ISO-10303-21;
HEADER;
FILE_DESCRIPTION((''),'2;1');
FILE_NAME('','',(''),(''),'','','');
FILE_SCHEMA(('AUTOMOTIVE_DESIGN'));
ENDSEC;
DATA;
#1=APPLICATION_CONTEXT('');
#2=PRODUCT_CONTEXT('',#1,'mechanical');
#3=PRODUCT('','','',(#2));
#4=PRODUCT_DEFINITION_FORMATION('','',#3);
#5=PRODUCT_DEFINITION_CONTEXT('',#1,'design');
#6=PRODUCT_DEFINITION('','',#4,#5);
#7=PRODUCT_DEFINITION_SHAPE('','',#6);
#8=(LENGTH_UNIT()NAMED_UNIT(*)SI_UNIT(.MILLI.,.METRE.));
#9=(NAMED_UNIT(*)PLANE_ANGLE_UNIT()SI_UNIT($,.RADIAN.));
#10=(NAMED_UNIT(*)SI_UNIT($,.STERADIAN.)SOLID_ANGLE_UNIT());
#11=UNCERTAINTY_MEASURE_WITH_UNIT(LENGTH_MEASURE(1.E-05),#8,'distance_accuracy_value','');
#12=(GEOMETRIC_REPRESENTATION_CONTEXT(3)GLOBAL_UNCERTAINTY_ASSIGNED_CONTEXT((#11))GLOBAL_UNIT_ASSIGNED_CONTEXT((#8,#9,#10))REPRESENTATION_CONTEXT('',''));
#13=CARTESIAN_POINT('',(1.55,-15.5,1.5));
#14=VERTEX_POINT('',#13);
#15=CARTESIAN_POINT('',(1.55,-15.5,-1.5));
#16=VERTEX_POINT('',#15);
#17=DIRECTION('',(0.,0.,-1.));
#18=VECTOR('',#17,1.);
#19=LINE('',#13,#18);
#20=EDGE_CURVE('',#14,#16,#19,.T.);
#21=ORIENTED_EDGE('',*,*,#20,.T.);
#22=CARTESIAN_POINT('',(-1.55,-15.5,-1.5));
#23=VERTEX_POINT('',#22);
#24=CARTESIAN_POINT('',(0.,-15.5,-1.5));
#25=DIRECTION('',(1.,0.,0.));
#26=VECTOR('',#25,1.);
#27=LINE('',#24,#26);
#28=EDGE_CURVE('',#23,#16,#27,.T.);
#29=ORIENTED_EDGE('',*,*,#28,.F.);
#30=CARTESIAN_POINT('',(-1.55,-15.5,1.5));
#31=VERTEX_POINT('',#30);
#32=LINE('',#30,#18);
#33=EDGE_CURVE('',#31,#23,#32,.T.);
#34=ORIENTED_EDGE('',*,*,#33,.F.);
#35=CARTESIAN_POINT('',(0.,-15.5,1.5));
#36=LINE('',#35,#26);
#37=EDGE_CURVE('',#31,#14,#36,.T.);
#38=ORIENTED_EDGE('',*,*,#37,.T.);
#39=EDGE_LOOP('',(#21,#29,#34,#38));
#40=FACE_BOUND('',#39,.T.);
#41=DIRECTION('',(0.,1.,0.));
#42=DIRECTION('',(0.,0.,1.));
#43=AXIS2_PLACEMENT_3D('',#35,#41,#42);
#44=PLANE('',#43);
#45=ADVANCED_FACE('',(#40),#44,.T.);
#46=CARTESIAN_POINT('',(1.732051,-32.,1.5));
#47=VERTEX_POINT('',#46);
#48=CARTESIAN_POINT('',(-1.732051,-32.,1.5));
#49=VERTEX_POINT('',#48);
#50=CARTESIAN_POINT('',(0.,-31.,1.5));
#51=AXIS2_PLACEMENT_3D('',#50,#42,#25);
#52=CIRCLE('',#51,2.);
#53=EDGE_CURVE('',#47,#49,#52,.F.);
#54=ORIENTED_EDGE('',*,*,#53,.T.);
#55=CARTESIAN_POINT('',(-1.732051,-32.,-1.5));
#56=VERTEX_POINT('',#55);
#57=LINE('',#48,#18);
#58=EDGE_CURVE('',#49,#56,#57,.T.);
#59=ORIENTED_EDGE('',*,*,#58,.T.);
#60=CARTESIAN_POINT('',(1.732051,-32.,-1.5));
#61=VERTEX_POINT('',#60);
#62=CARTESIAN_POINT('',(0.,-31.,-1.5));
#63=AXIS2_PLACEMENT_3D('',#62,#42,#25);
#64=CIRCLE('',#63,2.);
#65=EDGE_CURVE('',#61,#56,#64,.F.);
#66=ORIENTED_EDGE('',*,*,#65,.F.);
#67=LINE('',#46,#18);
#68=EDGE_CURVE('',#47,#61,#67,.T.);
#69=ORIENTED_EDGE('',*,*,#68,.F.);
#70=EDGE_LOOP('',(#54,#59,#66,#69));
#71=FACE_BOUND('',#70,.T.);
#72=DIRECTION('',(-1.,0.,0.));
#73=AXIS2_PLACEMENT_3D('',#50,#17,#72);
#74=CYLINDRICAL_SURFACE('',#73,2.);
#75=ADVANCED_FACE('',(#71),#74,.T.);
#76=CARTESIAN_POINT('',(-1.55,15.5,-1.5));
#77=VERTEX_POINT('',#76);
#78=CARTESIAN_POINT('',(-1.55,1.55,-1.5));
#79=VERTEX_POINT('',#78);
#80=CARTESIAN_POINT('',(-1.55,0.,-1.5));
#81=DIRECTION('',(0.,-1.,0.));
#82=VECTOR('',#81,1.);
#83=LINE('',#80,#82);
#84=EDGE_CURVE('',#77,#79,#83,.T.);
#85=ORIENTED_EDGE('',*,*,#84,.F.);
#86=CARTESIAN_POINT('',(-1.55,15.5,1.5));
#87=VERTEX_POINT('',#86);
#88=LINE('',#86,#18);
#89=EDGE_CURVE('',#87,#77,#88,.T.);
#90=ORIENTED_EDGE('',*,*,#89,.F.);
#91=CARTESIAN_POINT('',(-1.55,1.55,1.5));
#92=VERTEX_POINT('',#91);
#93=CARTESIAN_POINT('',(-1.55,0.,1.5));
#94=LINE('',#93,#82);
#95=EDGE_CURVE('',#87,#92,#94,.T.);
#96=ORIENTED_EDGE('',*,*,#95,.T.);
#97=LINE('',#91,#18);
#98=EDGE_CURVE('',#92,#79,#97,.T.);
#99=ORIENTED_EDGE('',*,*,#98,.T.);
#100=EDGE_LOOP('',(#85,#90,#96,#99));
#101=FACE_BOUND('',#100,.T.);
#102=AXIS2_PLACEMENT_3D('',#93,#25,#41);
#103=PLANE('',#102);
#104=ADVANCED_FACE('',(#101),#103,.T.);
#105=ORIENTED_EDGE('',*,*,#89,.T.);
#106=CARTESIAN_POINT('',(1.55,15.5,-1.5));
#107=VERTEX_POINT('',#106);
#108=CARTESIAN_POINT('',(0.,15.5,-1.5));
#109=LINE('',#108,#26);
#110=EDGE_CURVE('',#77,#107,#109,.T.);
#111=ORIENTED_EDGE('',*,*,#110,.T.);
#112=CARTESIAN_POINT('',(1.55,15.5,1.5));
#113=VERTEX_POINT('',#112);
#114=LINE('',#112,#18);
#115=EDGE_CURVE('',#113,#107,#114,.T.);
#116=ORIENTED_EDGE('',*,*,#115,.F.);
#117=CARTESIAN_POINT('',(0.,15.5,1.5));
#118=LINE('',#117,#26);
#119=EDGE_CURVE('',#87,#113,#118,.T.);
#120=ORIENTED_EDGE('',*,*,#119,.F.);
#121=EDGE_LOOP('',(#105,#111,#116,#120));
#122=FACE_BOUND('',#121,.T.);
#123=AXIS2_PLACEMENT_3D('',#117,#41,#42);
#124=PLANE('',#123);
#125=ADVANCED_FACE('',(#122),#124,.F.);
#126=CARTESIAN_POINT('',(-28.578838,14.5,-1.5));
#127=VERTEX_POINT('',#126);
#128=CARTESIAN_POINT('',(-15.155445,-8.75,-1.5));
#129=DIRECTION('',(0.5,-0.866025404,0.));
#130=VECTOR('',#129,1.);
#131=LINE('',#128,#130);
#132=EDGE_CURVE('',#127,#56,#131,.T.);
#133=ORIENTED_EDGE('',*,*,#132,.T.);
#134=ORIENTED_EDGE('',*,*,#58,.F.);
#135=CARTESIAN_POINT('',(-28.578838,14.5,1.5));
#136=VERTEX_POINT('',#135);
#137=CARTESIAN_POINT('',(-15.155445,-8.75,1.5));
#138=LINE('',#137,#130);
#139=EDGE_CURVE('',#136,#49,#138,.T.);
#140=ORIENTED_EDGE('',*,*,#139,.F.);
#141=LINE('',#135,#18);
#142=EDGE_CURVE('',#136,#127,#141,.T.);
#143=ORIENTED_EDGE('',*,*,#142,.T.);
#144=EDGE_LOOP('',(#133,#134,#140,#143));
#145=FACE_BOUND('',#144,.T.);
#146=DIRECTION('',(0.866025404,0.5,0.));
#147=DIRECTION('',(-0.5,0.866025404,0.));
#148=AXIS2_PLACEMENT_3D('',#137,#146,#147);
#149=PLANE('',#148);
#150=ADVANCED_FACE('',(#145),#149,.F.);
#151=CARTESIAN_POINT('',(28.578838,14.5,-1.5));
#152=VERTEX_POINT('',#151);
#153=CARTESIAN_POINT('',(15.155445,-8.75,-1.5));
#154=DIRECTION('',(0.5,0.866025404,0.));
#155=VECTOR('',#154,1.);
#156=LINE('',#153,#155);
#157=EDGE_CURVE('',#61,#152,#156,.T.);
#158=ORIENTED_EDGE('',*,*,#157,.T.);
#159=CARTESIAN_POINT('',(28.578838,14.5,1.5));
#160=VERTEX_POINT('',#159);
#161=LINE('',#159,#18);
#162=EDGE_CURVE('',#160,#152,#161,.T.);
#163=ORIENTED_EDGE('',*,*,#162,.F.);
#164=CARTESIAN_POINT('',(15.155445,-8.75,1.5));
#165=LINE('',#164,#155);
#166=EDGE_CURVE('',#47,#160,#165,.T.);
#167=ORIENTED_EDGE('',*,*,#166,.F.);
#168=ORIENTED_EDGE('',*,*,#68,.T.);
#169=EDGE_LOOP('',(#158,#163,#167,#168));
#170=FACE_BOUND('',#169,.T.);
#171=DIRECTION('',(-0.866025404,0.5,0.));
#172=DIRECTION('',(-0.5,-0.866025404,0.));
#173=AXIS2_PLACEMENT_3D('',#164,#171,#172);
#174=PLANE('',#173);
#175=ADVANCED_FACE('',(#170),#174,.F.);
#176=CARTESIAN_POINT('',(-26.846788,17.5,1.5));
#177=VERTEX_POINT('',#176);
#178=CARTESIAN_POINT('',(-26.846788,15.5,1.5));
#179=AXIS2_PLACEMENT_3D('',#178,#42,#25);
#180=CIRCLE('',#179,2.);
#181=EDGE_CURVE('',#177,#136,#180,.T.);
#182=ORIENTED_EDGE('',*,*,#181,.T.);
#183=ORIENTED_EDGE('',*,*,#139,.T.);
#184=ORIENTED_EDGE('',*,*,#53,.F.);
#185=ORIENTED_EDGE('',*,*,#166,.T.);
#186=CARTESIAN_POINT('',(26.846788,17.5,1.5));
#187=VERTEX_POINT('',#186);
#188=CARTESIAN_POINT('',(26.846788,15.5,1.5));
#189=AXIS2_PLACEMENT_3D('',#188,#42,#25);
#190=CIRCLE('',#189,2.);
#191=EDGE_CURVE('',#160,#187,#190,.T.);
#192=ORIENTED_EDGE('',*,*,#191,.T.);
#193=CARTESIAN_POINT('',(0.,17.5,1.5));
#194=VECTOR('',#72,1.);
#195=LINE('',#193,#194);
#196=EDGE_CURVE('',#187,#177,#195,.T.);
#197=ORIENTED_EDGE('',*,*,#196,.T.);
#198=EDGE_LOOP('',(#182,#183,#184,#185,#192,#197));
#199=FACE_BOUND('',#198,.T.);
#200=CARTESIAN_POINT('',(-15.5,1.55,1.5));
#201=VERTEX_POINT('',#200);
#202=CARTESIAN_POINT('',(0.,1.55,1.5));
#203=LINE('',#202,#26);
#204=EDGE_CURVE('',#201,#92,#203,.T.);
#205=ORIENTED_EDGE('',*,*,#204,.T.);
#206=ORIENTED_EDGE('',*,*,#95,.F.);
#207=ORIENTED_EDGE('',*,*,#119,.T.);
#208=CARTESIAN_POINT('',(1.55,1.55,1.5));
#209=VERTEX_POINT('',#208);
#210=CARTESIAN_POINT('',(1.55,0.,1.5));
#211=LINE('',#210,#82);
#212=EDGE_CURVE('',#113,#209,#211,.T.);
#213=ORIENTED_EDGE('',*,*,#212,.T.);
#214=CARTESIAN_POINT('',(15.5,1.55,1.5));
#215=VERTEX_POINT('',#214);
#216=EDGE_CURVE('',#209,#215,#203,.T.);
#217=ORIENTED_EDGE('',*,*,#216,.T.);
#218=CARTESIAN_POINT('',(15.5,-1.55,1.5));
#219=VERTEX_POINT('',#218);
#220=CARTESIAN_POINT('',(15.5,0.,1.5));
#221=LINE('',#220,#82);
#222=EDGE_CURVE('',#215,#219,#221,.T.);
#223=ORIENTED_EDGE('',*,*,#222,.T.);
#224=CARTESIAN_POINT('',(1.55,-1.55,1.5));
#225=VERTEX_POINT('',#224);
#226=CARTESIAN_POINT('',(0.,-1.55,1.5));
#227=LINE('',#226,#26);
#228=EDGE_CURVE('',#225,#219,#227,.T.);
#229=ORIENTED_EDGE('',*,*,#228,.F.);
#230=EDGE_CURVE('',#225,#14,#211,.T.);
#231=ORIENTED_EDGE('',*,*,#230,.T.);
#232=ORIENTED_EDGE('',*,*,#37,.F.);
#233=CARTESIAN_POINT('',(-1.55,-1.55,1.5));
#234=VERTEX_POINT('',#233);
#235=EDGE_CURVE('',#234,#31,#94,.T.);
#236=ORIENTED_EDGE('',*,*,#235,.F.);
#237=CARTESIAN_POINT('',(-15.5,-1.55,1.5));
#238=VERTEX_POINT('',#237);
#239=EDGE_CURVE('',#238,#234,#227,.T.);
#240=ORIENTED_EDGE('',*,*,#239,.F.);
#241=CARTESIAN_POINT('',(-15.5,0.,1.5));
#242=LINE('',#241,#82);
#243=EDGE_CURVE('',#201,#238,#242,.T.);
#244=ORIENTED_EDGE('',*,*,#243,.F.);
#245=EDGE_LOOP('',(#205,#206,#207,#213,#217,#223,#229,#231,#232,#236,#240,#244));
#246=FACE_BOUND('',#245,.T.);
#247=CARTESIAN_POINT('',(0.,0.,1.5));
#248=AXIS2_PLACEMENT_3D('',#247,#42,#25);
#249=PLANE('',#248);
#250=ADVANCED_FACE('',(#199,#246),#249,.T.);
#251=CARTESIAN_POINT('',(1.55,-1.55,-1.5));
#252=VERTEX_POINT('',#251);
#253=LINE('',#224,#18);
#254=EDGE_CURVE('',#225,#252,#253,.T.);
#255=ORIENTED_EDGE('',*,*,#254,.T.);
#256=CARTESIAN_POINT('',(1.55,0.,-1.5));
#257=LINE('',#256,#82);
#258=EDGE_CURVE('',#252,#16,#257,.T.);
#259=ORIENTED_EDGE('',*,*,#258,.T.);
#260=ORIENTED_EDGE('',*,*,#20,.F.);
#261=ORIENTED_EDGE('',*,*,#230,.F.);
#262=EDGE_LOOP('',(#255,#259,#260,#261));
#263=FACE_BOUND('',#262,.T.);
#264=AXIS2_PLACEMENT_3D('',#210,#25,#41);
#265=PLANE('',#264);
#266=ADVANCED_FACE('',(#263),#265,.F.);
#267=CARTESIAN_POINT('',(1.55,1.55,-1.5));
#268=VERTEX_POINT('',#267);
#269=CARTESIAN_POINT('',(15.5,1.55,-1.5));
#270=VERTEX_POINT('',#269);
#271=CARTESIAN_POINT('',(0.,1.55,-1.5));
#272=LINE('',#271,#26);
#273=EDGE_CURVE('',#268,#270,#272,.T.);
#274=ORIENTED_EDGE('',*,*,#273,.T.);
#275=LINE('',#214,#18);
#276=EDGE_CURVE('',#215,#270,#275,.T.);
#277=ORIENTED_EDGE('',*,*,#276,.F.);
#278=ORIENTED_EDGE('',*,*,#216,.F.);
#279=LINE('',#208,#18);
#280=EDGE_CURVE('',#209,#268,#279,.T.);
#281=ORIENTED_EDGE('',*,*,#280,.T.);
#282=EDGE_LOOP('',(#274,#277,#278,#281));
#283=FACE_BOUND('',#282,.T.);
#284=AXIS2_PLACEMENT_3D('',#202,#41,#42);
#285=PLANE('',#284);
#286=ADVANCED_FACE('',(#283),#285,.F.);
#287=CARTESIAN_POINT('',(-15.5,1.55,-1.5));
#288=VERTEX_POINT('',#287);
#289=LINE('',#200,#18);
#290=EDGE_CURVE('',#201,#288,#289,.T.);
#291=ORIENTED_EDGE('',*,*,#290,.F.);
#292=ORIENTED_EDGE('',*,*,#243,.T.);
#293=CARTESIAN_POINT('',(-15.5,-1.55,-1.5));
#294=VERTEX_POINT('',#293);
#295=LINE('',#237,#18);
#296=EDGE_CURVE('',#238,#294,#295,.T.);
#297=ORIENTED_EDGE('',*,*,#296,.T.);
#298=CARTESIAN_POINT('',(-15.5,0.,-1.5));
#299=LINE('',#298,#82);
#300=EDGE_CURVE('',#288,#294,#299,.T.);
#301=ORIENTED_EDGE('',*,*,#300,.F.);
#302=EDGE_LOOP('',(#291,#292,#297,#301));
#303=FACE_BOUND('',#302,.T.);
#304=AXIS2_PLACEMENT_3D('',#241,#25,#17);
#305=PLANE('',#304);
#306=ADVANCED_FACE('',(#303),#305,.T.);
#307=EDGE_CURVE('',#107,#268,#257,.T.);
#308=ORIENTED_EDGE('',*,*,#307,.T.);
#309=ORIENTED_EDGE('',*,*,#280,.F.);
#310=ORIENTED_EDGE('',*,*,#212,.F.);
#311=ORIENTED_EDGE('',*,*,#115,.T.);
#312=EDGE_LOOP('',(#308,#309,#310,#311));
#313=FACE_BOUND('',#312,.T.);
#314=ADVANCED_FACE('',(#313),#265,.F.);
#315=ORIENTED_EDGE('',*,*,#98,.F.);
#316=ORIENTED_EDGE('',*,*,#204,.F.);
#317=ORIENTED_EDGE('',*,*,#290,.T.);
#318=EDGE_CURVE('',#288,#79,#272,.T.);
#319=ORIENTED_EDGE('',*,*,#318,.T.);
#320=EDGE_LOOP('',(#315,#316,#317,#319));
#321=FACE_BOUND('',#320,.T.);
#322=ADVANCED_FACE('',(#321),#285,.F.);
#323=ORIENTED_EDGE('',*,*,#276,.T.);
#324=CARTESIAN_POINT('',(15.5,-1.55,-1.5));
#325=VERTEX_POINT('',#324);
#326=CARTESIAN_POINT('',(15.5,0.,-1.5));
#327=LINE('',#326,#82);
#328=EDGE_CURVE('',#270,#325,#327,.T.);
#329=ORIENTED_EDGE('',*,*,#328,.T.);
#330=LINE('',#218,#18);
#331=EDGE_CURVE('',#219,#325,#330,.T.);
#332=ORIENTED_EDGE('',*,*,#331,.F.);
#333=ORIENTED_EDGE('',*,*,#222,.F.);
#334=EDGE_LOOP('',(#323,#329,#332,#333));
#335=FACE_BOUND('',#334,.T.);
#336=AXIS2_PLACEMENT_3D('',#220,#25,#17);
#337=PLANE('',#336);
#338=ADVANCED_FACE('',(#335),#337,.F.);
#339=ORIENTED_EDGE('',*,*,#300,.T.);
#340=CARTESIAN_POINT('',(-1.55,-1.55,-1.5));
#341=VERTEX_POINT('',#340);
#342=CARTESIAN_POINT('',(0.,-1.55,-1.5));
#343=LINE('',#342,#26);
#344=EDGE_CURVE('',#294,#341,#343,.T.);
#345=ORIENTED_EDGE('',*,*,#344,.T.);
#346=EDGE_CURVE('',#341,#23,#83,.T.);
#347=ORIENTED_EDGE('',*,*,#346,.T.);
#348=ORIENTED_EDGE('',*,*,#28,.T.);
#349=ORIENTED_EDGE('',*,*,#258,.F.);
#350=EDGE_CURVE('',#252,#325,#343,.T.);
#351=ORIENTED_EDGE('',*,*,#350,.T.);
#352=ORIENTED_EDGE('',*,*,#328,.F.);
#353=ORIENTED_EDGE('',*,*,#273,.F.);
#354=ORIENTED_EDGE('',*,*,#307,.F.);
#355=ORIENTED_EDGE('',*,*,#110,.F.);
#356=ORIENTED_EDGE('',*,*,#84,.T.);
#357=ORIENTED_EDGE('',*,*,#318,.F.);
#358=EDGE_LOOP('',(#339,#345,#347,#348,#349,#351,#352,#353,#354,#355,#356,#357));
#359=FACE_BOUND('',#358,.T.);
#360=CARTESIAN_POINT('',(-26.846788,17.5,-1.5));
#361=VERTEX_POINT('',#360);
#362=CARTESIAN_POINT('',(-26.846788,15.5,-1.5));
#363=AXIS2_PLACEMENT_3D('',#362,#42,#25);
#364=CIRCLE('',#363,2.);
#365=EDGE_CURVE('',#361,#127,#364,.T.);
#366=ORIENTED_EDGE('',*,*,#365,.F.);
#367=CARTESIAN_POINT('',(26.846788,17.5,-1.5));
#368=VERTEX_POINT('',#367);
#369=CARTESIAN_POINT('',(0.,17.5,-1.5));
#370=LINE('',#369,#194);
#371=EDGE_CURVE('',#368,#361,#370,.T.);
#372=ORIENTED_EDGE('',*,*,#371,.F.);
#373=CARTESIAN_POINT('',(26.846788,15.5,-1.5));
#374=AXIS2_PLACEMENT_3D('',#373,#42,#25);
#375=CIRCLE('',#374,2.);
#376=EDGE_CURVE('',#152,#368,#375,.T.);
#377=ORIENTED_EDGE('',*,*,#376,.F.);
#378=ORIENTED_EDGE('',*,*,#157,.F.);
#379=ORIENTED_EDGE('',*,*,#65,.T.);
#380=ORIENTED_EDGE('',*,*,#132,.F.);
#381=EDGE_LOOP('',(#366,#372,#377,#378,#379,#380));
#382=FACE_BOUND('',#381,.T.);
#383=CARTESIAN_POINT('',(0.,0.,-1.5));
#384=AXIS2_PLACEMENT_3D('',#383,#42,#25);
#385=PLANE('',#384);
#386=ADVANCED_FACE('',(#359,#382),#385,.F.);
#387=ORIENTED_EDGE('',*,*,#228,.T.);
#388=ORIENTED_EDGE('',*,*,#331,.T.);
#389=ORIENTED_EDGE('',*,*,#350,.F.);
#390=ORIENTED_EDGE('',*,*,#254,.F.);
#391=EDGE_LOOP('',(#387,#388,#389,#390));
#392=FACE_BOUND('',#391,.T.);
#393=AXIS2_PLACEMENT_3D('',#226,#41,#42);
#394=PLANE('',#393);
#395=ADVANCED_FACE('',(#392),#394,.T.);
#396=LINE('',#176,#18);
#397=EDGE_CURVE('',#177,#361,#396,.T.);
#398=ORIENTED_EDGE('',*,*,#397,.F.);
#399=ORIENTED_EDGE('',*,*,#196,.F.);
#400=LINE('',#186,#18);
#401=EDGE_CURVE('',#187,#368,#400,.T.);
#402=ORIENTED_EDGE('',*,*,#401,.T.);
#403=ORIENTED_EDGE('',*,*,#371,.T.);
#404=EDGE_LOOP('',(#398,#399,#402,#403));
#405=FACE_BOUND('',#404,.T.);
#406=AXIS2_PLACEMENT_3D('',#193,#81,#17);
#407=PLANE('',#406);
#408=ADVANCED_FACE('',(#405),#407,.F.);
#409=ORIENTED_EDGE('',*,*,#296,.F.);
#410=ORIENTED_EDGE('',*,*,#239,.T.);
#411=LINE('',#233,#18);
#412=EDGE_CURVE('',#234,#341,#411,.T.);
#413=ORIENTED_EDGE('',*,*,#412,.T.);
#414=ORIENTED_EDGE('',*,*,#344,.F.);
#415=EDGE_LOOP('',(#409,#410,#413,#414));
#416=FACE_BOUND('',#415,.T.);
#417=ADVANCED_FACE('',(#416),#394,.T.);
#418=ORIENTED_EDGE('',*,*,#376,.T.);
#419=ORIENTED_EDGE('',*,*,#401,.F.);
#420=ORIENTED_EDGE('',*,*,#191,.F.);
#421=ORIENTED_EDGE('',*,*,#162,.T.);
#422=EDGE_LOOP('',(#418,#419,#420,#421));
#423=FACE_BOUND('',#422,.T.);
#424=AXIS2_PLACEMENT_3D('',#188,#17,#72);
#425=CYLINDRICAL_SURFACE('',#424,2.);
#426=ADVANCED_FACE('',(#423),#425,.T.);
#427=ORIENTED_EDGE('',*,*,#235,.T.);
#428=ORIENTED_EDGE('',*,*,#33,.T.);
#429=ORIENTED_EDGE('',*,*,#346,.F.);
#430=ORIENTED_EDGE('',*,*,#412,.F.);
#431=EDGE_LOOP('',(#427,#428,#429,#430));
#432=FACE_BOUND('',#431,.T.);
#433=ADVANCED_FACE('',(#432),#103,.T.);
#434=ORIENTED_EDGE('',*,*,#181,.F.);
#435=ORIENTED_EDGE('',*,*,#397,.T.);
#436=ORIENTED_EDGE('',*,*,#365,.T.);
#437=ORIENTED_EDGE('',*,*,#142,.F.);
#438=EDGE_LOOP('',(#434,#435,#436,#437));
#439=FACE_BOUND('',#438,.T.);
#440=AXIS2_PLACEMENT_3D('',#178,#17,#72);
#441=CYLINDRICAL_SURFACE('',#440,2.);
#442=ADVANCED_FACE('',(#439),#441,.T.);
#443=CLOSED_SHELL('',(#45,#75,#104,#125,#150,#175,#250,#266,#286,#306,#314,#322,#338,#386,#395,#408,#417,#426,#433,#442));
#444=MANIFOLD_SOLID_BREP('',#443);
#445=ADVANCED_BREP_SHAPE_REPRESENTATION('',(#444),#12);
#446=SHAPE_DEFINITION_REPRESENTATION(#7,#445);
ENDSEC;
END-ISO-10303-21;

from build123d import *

# Parameters (mm, degrees)
BOSS_EXTRUDE1_DEPTH = 1.5


with BuildPart() as part:
    # Sketch1 → Boss-Extrude1 (new body, symmetric)
    with BuildSketch(Plane.XY):
        with BuildLine():
            ThreePointArc((28.578838325, 14.5), (28.578838325, 16.5), (26.846787517, 17.5))
            Line((26.846787517, 17.5), (-26.846787517, 17.5))
            ThreePointArc((-26.846787517, 17.5), (-28.578838325, 16.5), (-28.578838325, 14.5))
            Line((-28.578838325, 14.5), (-1.732050808, -32))
            ThreePointArc((-1.732050808, -32), (0, -33), (1.732050808, -32))
            Line((1.732050808, -32), (28.578838325, 14.5))
        make_face()
        Polygon((-1.55, 1.55), (-1.55, 15.5), (1.55, 15.5), (1.55, 1.55), (15.5, 1.55), (15.5, -1.55), (1.55, -1.55), (1.55, -15.5), (-1.55, -15.5), (-1.55, -1.55), (-15.5, -1.55), (-15.5, 1.55), align=None, mode=Mode.SUBTRACT)
    extrude(amount=BOSS_EXTRUDE1_DEPTH, both=True)


solid = part.part
